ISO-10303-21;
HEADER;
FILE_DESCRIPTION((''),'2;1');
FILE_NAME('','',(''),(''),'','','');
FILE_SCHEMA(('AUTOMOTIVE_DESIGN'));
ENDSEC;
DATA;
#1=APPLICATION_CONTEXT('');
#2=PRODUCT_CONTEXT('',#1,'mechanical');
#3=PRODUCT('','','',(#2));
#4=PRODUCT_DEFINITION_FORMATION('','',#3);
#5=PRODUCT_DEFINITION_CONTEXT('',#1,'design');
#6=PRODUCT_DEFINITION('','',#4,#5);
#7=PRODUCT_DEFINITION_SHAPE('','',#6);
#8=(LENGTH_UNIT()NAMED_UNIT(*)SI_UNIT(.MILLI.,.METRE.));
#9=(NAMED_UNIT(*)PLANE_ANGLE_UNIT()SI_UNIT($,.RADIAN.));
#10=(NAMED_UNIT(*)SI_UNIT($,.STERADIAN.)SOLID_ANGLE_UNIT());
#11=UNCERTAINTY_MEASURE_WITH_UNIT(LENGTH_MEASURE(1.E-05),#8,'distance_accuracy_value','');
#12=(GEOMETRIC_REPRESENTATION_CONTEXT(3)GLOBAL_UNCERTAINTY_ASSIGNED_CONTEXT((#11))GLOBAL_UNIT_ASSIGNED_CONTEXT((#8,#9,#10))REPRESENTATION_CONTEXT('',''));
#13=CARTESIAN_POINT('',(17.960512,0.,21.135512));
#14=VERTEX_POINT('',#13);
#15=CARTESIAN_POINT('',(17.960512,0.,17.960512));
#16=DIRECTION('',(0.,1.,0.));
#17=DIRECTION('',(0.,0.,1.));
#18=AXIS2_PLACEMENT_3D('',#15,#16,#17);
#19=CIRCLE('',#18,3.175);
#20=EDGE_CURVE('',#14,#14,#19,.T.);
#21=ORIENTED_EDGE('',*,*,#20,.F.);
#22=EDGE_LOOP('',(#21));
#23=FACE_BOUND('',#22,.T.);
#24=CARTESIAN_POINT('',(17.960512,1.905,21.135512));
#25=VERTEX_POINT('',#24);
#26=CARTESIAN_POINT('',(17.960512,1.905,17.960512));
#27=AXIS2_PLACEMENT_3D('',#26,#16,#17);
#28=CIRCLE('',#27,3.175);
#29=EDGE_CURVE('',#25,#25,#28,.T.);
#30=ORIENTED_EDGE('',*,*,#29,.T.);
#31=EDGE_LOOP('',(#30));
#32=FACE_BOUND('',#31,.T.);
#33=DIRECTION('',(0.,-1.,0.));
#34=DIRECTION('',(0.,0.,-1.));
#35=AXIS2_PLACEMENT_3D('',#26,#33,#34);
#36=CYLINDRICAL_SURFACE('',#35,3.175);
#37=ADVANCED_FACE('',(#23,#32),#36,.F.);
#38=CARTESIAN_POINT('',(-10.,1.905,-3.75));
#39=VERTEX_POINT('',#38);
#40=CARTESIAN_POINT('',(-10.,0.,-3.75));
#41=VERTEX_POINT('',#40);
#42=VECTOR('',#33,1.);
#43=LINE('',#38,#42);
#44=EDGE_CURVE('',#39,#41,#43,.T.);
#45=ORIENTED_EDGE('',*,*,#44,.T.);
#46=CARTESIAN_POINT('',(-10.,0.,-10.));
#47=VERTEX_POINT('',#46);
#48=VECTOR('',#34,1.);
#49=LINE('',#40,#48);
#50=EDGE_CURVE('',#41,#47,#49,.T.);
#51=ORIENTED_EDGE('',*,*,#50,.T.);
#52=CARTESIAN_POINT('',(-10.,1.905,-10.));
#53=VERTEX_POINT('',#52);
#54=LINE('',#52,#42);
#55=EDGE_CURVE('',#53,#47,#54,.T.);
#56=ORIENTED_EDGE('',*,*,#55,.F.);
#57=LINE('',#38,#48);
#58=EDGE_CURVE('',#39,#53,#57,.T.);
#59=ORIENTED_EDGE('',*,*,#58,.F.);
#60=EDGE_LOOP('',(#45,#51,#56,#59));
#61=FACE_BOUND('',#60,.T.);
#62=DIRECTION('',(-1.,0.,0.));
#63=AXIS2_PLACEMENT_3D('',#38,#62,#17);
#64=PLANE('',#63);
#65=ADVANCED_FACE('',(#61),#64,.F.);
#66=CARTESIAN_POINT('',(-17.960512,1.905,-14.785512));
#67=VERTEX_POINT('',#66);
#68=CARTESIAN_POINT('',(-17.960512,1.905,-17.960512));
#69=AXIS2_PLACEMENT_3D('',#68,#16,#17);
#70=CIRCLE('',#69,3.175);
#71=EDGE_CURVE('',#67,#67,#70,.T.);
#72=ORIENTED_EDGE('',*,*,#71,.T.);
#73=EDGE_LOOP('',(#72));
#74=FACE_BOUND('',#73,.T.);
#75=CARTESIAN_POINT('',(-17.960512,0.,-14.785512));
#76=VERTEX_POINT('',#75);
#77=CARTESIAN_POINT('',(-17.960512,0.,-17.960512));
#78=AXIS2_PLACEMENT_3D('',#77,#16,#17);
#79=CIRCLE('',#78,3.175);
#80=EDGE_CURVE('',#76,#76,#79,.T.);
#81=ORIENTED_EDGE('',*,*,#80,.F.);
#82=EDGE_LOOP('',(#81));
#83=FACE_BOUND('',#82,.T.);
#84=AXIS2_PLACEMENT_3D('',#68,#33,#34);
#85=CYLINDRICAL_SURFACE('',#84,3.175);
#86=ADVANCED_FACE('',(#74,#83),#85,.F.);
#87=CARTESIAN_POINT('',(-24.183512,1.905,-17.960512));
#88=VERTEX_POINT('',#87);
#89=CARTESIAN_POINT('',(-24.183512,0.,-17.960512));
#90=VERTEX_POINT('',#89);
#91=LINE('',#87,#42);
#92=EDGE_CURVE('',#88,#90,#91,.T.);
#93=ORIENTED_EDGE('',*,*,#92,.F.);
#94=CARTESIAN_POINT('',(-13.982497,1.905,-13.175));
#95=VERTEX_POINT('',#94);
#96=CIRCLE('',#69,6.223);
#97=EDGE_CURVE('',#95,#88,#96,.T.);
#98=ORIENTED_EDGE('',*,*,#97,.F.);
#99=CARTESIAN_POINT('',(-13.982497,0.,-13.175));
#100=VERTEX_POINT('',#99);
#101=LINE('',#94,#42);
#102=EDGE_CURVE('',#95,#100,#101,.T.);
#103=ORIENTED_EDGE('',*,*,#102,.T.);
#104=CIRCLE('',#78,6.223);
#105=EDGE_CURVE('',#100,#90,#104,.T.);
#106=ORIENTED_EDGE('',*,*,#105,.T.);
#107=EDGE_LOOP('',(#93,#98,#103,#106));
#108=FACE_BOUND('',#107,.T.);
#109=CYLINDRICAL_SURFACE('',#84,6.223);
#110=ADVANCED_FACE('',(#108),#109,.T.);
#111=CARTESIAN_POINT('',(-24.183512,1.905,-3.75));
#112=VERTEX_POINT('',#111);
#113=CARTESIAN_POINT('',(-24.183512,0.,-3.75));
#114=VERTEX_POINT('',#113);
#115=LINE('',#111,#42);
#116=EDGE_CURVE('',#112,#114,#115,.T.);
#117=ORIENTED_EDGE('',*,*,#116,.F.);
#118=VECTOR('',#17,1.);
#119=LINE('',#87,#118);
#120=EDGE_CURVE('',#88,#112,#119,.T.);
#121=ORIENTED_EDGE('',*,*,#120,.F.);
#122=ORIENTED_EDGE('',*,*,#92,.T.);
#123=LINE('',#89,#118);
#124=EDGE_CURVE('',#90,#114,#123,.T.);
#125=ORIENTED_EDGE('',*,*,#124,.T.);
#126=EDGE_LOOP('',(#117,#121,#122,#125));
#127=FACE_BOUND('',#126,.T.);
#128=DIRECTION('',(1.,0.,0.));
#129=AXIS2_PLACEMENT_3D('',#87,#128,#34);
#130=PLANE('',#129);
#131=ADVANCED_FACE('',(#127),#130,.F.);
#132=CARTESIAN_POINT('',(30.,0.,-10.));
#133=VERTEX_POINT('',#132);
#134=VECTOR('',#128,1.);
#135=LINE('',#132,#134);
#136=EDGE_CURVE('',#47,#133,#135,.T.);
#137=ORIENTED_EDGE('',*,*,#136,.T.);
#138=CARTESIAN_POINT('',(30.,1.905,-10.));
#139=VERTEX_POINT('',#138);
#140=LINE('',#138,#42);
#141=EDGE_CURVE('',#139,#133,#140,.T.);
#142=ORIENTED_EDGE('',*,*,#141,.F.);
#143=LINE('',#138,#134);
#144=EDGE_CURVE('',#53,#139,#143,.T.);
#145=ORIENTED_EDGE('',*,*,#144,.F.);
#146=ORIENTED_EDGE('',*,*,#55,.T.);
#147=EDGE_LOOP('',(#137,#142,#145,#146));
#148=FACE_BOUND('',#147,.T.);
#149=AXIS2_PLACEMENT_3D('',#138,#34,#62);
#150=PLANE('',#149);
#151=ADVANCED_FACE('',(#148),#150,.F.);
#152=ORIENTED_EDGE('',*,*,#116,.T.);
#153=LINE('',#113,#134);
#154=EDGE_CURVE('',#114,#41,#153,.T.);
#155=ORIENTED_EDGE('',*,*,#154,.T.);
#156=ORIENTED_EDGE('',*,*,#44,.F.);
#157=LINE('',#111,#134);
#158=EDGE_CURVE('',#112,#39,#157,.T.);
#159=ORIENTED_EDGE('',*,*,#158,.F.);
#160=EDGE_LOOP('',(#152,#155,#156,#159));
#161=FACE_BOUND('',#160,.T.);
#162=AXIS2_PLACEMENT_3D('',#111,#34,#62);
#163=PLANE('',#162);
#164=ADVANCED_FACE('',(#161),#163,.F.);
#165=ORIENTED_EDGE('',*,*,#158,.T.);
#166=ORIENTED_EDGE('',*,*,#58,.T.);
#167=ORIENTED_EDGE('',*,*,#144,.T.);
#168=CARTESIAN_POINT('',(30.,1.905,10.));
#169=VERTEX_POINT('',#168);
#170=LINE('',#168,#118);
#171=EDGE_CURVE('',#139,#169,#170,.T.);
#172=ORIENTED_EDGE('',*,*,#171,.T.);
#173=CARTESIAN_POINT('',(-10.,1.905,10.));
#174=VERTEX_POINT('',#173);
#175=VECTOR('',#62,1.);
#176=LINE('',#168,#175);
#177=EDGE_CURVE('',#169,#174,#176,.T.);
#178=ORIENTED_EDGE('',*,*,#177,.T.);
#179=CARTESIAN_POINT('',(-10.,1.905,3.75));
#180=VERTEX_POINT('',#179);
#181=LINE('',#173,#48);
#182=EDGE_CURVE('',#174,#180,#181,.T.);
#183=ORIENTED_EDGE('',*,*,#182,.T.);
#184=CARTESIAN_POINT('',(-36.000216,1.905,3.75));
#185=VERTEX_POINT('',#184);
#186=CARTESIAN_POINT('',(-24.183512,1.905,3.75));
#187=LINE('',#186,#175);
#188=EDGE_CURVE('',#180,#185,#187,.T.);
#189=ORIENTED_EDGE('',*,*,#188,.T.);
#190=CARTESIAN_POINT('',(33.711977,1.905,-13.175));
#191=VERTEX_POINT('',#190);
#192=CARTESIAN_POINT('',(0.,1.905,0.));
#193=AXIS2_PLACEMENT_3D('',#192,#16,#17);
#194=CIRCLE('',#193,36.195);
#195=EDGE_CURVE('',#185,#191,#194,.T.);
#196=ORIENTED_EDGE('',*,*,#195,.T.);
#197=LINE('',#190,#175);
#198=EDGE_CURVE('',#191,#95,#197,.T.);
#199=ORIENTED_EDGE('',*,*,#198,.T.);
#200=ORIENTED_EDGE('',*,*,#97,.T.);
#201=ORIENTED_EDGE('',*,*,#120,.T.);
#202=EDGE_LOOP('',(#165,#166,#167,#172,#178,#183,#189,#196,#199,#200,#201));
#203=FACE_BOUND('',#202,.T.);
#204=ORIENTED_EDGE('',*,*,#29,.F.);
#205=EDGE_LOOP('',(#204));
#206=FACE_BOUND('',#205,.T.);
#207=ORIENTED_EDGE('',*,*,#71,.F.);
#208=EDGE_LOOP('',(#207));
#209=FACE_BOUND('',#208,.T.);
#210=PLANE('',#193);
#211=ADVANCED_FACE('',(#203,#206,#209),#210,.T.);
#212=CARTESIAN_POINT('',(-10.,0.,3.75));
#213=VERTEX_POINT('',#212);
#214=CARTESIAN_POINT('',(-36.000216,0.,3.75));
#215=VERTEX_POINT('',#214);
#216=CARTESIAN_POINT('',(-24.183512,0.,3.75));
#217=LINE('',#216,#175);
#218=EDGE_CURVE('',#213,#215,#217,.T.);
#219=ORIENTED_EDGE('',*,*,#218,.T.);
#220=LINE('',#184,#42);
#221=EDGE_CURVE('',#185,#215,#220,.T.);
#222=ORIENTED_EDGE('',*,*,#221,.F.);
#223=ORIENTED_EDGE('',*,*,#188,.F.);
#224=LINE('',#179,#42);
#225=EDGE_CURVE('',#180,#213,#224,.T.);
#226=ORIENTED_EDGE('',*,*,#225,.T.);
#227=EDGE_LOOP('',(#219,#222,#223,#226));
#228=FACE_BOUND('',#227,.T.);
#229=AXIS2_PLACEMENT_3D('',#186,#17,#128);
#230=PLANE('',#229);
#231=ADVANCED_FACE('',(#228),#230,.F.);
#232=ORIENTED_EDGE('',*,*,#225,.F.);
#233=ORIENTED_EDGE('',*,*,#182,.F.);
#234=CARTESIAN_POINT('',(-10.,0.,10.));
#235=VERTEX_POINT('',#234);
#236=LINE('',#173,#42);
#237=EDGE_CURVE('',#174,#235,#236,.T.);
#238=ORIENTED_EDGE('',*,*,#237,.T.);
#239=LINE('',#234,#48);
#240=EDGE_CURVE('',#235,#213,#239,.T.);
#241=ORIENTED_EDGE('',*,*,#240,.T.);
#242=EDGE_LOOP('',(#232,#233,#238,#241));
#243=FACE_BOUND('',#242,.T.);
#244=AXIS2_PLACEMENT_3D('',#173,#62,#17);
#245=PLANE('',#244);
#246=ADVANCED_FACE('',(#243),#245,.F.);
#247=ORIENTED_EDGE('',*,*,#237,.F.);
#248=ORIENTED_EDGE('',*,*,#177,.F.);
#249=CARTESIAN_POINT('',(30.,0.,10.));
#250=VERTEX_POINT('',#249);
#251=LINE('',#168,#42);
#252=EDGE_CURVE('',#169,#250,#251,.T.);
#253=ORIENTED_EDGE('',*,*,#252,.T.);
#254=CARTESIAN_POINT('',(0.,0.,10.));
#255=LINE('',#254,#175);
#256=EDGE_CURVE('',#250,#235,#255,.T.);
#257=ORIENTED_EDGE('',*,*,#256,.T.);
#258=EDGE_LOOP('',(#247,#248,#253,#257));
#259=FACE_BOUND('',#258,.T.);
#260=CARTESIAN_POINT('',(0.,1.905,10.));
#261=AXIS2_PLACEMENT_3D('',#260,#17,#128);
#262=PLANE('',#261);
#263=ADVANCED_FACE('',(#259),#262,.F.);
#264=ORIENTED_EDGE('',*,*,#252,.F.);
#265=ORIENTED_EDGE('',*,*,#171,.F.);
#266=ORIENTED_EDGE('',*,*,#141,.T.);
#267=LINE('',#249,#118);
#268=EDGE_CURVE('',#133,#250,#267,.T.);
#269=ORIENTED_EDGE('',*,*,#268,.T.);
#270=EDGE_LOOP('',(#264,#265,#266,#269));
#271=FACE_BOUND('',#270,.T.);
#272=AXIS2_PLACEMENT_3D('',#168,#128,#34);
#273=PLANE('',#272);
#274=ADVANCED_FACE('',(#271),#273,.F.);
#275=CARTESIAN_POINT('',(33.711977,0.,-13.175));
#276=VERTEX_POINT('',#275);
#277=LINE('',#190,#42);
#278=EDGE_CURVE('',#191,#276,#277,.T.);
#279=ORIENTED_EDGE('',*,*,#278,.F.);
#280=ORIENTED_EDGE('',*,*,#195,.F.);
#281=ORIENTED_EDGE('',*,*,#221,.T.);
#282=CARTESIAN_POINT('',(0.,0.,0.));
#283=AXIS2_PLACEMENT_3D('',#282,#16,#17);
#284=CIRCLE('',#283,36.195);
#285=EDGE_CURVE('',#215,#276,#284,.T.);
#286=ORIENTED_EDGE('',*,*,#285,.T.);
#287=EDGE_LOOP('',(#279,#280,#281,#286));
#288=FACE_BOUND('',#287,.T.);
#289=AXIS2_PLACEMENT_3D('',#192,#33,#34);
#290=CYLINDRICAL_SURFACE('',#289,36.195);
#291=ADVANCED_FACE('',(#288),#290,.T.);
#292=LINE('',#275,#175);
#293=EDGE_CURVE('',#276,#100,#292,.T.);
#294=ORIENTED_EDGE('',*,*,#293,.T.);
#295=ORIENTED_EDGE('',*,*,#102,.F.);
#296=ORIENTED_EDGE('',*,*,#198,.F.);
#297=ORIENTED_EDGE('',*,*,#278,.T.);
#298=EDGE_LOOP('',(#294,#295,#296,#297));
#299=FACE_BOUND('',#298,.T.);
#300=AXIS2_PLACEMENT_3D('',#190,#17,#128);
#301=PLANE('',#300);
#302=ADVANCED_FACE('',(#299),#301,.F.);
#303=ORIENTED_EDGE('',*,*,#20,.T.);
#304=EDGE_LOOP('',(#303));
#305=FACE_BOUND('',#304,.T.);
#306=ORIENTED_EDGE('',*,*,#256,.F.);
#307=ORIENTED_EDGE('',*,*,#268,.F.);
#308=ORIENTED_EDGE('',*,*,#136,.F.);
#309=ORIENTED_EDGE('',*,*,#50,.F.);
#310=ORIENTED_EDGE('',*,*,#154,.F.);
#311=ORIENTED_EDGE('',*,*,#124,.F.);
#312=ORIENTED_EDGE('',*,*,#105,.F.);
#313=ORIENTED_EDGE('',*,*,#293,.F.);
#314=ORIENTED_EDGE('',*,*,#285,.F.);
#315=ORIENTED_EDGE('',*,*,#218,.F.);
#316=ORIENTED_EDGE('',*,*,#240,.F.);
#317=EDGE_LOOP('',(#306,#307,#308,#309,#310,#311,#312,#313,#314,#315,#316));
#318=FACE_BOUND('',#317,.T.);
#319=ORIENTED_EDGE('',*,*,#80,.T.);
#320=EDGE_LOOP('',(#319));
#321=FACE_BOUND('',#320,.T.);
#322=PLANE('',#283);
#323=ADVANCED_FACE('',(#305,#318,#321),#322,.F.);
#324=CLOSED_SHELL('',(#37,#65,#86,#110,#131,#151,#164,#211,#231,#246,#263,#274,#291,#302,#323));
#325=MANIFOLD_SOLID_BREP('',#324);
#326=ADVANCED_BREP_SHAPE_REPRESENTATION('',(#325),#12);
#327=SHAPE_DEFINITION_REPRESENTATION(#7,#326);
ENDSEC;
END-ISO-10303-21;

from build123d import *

# Parameters (mm, degrees)
SKETCH2_R           = 3.175
BOSS_EXTRUDE1_DEPTH = 1.905


with BuildPart() as part:
    # Sketch2 → Boss-Extrude1 (new body)
    with BuildSketch(Plane(origin=(0, 0, 0), x_dir=(1, 0, 0), z_dir=(0, 1, 0))):
        with BuildLine():
            Line((-24.183512242, 17.960512242), (-24.183512242, 3.75))
            Line((-24.183512242, 3.75), (-10, 3.75))
            Line((-10, 3.75), (-10, 10))
            Line((-10, 10), (30, 10))
            Line((30, 10), (30, -10))
            Line((30, -10), (11.737512242, -10))
            Line((11.737512242, -10), (10, -10))
            Line((10, -10), (0, -10))
            Line((0, -10), (-10, -10))
            Line((-10, -10), (-10, -3.75))
            Line((-10, -3.75), (-24.183512242, -3.75))
            Line((-24.183512242, -3.75), (-36.000215624, -3.75))
            ThreePointArc((-36.000215624, -3.75), (8.539491503, -35.173215802), (33.7119771, 13.175))
            Line((33.7119771, 13.175), (-13.982497463, 13.175))
            ThreePointArc((-13.982497463, 13.175), (-12.326645232, 15.317545819), (-11.737512242, 17.960512242))
            ThreePointArc((-11.737512242, 17.960512242), (-13.560186743, 22.360837741), (-17.960512242, 24.183512242))
            ThreePointArc((-17.960512242, 24.183512242), (-22.360837741, 22.360837741), (-24.183512242, 17.960512242))
        make_face()
        with Locations((-17.960512242, 17.960512242)):
            Circle(SKETCH2_R, mode=Mode.SUBTRACT)
        with Locations((17.960512242, -17.960512242)):
            Circle(SKETCH2_R, mode=Mode.SUBTRACT)
    extrude(amount=BOSS_EXTRUDE1_DEPTH)


solid = part.part
